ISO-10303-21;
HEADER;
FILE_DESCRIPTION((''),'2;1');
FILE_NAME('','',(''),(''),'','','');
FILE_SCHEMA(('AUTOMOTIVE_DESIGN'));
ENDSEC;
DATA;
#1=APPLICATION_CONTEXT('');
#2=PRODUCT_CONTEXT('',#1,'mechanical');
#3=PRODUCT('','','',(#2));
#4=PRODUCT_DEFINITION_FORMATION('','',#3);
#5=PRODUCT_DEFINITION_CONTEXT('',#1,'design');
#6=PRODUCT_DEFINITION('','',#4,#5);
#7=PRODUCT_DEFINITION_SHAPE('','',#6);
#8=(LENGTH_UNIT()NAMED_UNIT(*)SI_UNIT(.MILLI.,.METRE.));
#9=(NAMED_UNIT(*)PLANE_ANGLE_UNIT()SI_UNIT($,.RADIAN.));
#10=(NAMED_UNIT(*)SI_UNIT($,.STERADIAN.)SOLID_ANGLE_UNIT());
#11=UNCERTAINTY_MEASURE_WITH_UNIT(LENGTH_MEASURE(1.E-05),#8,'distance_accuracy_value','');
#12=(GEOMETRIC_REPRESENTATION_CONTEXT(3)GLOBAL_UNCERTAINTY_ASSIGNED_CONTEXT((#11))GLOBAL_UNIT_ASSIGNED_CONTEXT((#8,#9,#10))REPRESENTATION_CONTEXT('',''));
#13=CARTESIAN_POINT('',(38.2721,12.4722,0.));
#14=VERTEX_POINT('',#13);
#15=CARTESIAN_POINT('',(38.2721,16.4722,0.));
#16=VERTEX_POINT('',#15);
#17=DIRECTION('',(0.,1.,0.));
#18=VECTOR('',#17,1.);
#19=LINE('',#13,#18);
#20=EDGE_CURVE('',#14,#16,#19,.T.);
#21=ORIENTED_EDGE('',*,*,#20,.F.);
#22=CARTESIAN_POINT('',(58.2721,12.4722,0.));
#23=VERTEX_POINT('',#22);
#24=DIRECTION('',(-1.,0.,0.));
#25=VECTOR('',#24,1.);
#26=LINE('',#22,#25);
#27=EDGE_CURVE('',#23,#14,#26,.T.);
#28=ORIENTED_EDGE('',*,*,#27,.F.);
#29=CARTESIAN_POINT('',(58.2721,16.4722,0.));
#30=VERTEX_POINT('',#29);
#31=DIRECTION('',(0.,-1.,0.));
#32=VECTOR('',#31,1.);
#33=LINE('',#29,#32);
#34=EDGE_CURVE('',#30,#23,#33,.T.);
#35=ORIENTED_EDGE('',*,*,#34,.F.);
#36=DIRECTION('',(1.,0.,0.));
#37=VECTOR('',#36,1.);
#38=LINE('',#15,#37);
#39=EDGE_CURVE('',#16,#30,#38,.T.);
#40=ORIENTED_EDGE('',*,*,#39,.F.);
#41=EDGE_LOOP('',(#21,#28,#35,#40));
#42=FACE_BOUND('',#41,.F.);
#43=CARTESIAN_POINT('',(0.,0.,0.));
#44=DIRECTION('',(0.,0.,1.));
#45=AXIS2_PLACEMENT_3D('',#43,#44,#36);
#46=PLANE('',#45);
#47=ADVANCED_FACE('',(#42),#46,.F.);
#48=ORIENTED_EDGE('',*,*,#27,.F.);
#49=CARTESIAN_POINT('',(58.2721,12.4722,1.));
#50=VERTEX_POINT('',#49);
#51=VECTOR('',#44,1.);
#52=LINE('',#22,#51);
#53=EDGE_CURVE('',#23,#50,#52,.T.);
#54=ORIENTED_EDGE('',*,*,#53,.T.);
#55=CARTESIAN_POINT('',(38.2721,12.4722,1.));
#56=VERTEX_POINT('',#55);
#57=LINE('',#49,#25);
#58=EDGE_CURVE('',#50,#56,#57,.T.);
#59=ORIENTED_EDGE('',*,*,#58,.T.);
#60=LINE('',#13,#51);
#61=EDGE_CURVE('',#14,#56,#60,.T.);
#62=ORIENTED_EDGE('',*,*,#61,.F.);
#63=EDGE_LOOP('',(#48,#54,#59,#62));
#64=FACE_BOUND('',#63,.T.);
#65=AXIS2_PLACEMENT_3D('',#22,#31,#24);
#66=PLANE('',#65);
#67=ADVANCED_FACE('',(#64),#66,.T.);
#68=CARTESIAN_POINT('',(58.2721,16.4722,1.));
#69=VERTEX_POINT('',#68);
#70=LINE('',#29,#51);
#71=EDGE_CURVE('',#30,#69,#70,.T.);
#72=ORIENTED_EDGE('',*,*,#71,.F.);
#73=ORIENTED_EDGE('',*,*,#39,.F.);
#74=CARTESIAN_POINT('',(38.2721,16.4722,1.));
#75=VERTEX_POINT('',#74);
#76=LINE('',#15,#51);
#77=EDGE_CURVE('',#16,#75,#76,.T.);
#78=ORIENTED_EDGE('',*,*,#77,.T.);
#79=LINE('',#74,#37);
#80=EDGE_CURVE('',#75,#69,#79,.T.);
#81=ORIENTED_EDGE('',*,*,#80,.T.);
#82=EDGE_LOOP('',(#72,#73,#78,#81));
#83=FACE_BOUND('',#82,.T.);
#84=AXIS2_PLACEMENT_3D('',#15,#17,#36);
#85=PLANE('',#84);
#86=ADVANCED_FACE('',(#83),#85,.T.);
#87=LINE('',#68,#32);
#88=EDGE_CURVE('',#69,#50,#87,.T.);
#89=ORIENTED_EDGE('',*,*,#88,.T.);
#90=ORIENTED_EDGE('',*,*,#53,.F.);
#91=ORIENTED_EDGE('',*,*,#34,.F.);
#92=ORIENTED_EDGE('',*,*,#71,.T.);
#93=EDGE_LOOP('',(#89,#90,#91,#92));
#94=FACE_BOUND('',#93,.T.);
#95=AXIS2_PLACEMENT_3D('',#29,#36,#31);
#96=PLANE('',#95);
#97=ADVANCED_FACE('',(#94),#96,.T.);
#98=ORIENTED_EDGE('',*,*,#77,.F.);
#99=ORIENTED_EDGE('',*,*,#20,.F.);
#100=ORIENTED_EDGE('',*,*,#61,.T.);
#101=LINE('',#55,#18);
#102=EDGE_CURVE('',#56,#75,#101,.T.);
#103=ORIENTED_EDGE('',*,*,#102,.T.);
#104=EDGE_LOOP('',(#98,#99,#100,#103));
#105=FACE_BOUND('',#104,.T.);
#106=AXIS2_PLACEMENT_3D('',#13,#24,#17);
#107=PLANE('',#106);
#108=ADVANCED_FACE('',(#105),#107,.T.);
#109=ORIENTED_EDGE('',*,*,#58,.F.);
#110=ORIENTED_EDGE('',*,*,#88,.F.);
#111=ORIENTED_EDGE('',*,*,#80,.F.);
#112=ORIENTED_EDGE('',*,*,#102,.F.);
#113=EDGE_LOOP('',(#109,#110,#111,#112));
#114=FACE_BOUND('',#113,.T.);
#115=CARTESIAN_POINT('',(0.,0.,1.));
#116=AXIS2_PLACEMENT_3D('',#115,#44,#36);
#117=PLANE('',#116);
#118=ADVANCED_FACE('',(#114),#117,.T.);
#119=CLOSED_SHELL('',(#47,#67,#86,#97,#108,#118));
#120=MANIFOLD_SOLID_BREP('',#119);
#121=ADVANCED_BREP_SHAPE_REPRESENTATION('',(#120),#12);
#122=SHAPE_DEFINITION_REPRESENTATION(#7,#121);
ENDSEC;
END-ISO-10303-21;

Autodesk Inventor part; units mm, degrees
ref_plane "YZ Plane" through (0, 0, 0) normal (1, 0, 0) x (0, 1, 0)
ref_plane "XZ Plane" through (0, 0, 0) normal (0, 1, 0) x (-1, 0, 0)
ref_plane "XY Plane" through (0, 0, 0) normal (0, 0, 1) x (1, 0, 0)
sketch "Skizze1" plane through (0, 0, 0) normal (0, 0, 1) x (1, 0, 0)
  line L0 (58.2721, 12.4722) -> (38.2721, 12.4722)
  line L1 (38.2721, 12.4722) -> (38.2721, 16.4722)
  line L2 (38.2721, 16.4722) -> (58.2721, 16.4722)
  line L3 (58.2721, 16.4722) -> (58.2721, 12.4722)
  point P0 (0, 0)
  dimension "d0" = 20
  dimension "d1" = 4
extrude "Extrusion1" add sketch "Skizze1" along normal blind 1
properties part number "Stopper" material "Gummi, Silikon(1)"
